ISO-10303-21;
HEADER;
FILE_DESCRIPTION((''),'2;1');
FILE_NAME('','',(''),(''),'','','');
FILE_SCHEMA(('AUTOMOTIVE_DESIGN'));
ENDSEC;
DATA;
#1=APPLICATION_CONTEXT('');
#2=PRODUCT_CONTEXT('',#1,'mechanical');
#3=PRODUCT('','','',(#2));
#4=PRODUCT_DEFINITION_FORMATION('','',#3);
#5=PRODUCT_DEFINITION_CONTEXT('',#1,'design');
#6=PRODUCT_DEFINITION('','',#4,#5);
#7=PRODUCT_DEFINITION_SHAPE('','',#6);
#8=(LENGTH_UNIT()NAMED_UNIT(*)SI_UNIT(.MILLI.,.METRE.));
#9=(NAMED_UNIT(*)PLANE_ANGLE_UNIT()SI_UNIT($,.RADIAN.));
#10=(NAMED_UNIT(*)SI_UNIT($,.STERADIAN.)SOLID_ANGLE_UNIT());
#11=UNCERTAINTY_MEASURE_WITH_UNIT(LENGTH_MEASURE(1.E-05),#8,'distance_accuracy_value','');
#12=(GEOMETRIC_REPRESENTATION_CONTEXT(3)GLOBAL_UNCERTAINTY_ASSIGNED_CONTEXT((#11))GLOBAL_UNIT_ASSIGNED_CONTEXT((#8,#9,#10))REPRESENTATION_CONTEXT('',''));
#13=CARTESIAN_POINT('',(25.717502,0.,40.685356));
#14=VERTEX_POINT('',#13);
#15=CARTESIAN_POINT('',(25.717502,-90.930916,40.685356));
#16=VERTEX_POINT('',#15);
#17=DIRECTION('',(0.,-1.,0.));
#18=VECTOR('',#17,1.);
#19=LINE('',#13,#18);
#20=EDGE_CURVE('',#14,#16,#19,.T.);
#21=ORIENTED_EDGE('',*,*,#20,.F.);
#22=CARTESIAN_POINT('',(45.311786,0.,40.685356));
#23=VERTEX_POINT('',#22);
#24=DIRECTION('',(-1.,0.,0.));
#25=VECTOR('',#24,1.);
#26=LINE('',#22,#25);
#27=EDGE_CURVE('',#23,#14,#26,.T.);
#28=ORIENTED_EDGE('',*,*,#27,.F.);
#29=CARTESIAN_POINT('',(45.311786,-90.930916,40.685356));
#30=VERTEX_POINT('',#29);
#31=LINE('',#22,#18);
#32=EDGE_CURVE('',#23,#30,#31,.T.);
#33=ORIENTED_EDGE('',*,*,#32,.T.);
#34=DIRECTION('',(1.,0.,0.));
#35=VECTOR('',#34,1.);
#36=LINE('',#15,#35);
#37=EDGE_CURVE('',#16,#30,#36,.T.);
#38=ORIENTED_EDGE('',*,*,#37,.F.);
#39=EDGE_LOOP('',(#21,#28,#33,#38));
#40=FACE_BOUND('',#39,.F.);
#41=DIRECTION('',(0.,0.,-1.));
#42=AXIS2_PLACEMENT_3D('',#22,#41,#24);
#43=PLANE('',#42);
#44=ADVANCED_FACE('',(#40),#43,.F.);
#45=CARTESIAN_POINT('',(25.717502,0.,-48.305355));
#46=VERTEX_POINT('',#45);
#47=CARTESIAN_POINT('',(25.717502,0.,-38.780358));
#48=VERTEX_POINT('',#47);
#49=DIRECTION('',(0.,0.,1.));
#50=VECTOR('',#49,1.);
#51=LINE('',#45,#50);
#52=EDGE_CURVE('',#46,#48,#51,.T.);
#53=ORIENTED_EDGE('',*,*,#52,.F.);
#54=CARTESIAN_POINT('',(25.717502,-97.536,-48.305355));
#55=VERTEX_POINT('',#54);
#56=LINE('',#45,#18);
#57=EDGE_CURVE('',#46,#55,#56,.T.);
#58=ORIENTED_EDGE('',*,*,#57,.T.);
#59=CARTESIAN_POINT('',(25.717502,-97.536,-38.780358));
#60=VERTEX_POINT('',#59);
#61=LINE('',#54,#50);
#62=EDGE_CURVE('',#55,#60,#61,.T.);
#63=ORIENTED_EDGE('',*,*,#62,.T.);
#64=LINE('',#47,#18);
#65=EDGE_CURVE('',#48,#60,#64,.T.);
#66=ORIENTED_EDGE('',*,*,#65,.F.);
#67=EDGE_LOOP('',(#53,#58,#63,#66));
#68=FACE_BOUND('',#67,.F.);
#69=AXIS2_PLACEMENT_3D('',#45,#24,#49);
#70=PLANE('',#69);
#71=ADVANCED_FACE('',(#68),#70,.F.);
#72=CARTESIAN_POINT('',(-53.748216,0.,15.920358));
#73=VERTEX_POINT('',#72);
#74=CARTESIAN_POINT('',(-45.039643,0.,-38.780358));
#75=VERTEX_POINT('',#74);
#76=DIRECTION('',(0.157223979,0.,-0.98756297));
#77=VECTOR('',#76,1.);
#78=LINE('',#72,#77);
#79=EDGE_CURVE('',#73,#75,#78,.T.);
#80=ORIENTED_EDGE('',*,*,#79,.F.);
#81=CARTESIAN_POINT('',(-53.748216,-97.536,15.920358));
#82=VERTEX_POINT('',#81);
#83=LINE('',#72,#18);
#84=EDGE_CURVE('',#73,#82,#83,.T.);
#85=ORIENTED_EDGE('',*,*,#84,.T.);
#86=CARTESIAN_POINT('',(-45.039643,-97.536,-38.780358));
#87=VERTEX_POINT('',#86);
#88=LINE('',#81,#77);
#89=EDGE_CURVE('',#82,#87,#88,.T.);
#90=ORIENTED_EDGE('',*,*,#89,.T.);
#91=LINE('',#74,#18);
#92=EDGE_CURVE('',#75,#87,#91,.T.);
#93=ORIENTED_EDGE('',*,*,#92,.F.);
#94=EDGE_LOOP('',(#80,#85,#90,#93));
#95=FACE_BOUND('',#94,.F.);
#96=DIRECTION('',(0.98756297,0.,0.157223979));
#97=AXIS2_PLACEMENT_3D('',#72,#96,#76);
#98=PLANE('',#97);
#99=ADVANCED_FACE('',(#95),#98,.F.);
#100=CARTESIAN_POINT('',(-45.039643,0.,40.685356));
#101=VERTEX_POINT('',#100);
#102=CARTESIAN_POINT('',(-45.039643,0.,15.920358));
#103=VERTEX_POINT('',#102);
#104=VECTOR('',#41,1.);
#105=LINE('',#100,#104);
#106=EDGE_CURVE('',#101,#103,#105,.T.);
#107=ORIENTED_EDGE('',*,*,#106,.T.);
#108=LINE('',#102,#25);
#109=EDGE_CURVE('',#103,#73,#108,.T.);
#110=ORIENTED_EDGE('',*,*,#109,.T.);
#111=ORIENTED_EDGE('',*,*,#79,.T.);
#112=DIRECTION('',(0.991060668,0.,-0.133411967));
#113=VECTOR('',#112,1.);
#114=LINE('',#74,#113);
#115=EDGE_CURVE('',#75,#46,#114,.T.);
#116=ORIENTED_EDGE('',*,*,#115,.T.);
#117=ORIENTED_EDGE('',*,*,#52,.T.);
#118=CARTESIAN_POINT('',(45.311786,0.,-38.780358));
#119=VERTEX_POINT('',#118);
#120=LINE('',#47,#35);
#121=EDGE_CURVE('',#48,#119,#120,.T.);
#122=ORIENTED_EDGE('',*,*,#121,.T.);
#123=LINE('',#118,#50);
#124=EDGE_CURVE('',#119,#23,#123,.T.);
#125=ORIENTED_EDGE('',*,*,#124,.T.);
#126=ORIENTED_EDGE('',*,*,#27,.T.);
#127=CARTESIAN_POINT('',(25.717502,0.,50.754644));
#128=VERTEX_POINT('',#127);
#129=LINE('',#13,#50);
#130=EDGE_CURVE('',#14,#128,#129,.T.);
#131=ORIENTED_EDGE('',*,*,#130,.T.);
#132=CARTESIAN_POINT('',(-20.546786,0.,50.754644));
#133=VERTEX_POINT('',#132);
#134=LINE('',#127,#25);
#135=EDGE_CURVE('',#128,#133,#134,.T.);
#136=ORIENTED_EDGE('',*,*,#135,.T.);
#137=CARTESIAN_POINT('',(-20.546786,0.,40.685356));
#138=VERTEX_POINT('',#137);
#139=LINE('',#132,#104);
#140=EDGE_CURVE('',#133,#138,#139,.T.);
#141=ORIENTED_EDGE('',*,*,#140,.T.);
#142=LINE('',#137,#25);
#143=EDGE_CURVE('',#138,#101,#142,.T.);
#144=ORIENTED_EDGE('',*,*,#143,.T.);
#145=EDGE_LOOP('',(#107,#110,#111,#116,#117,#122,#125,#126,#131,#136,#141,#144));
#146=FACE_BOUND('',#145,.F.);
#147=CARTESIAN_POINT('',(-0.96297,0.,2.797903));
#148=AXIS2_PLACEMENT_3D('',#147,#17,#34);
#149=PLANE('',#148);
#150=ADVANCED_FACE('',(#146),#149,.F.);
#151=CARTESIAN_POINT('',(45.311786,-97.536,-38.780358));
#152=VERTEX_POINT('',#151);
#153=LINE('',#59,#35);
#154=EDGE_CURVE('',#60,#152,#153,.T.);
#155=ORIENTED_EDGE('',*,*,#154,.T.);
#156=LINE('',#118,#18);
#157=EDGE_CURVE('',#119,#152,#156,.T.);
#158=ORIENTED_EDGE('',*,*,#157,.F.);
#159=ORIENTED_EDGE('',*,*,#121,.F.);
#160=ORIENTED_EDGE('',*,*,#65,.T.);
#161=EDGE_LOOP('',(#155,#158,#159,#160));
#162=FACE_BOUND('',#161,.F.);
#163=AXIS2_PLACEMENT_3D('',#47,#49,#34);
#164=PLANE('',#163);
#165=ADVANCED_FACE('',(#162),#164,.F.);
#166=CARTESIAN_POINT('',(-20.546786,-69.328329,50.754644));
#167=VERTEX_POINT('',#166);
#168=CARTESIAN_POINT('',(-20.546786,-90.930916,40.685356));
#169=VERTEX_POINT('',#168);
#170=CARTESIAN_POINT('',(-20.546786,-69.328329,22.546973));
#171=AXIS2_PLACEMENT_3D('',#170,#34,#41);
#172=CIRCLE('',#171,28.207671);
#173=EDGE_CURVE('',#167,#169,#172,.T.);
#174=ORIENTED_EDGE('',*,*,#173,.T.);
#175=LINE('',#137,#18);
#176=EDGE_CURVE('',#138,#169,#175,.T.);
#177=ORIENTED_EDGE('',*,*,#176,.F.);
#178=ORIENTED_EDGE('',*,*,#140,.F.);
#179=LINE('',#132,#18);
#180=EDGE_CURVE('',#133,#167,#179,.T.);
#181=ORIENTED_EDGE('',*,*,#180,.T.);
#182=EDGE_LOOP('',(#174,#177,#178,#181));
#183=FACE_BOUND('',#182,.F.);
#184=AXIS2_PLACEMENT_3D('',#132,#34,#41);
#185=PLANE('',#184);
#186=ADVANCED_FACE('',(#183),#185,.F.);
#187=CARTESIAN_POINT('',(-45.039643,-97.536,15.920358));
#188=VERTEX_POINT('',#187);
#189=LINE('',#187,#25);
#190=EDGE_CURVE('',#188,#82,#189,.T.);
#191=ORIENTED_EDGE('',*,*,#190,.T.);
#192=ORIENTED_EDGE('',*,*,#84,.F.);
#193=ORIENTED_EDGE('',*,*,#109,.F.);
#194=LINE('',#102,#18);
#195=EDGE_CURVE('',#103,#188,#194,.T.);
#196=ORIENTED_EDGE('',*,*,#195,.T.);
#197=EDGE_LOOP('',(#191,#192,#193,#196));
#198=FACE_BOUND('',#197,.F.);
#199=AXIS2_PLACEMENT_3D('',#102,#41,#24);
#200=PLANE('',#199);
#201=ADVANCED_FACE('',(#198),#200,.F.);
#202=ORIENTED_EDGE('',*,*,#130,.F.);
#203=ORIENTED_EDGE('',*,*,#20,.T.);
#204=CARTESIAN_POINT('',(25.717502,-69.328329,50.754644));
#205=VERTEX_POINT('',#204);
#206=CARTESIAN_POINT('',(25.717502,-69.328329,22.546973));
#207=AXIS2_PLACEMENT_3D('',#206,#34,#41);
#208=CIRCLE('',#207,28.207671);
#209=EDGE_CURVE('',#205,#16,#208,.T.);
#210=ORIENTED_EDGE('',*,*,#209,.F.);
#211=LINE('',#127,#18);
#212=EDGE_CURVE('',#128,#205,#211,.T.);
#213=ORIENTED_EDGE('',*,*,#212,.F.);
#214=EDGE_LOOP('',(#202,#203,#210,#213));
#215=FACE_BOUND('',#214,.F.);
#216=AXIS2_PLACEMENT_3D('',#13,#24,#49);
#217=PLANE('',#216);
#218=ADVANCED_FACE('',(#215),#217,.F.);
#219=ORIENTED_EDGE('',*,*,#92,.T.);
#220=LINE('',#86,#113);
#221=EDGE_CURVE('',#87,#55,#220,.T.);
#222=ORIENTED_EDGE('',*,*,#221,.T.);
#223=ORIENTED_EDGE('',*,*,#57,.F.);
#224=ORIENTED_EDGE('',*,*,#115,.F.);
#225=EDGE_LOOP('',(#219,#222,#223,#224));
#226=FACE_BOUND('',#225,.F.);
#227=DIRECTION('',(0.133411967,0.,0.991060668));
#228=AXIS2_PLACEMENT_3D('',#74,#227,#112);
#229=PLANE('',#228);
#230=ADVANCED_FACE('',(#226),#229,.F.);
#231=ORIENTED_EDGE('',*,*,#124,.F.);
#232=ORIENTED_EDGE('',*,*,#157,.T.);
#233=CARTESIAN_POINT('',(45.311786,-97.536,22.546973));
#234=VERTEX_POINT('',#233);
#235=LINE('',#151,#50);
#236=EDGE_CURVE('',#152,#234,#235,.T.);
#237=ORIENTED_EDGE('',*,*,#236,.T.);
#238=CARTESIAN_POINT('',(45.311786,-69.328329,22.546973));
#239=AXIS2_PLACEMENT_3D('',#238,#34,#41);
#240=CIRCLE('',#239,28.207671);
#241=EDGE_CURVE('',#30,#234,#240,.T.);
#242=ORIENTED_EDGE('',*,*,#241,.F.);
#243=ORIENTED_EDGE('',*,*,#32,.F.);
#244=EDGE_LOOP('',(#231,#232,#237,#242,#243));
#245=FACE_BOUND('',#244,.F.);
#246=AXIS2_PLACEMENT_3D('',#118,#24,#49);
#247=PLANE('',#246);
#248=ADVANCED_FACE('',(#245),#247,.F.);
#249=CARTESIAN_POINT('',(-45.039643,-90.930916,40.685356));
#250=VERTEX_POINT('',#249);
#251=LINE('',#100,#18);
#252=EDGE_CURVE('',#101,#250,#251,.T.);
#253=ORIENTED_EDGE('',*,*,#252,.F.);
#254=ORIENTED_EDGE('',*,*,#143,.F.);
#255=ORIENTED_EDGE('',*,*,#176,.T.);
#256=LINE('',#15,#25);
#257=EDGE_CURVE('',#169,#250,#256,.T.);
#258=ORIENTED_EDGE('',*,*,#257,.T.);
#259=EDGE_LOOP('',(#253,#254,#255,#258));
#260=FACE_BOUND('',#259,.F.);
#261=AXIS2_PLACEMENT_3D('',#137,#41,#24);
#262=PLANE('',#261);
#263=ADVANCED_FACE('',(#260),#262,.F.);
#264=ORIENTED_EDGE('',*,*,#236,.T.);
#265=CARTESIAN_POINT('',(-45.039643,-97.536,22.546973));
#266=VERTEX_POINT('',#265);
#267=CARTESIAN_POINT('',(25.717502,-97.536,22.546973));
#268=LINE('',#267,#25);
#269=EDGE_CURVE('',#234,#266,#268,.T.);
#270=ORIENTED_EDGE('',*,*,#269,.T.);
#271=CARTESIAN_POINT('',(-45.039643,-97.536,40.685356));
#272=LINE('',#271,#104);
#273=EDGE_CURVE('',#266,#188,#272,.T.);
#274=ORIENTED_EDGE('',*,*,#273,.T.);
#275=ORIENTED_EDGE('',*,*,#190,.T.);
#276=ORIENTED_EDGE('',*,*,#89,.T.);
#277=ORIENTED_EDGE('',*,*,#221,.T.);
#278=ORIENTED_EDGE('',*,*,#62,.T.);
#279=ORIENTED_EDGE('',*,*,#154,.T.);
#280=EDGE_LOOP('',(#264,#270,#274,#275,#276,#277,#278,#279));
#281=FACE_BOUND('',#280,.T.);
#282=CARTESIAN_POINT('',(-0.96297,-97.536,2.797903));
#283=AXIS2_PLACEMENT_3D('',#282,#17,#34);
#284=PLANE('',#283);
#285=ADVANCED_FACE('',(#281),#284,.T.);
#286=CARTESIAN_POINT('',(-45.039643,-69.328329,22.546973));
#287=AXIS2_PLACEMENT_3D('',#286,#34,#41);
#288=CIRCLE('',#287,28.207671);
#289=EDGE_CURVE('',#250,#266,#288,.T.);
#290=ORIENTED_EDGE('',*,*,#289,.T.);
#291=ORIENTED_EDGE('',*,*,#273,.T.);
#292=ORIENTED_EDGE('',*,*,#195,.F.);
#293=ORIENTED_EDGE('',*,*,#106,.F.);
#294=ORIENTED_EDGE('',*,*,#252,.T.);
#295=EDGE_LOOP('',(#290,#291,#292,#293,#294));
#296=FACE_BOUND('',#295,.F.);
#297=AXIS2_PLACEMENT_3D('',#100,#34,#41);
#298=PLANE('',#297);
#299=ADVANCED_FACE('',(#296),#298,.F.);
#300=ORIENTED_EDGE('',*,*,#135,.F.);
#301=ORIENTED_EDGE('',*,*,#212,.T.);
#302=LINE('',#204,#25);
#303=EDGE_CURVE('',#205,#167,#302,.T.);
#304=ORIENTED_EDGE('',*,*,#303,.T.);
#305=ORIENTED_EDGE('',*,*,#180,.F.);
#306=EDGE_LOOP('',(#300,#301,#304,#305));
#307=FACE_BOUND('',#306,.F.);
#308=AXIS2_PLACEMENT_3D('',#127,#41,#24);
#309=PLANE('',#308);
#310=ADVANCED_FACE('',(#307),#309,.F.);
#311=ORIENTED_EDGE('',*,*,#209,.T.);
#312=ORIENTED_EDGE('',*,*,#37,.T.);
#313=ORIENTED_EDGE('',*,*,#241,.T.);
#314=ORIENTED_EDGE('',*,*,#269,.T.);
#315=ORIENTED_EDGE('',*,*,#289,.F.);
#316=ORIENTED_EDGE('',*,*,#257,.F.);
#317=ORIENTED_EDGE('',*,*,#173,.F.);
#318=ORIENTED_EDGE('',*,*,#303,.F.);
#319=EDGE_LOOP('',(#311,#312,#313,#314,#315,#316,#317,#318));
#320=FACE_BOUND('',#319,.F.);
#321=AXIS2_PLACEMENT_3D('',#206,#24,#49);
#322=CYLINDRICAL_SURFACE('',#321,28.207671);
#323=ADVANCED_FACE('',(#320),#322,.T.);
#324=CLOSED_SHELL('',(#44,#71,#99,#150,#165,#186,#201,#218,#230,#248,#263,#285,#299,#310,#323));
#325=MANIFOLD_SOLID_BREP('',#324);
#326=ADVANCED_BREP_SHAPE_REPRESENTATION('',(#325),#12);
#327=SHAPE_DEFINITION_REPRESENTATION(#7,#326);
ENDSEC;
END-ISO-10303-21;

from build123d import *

# Parameters (mm, degrees)
F1_DEPTH = 97.536
F2_R     = 28.207671


with BuildPart() as f1:
    # F0 (on Front) → F1 (new body)
    with BuildSketch(Plane.XZ):
        Polygon((-20.546786, 40.685356), (-45.039643, 40.685356), (-45.039643, 15.920358), (-53.748216, 15.920358), (-45.039643, -38.780358), (25.717502, -48.305355), (25.717502, -38.780358), (45.311786, -38.780358), (45.311786, 40.685356), (25.717502, 40.685356), (25.717502, 50.754644), (-20.546786, 50.754644), align=None)
    extrude(amount=F1_DEPTH)

    # F2
    f2_edges = [f1.edges().sort_by_distance(p)[0] for p in [
        (2.585358, -97.536, 50.754644),
    ]]
    fillet(f2_edges, radius=F2_R)


solid = f1.part
